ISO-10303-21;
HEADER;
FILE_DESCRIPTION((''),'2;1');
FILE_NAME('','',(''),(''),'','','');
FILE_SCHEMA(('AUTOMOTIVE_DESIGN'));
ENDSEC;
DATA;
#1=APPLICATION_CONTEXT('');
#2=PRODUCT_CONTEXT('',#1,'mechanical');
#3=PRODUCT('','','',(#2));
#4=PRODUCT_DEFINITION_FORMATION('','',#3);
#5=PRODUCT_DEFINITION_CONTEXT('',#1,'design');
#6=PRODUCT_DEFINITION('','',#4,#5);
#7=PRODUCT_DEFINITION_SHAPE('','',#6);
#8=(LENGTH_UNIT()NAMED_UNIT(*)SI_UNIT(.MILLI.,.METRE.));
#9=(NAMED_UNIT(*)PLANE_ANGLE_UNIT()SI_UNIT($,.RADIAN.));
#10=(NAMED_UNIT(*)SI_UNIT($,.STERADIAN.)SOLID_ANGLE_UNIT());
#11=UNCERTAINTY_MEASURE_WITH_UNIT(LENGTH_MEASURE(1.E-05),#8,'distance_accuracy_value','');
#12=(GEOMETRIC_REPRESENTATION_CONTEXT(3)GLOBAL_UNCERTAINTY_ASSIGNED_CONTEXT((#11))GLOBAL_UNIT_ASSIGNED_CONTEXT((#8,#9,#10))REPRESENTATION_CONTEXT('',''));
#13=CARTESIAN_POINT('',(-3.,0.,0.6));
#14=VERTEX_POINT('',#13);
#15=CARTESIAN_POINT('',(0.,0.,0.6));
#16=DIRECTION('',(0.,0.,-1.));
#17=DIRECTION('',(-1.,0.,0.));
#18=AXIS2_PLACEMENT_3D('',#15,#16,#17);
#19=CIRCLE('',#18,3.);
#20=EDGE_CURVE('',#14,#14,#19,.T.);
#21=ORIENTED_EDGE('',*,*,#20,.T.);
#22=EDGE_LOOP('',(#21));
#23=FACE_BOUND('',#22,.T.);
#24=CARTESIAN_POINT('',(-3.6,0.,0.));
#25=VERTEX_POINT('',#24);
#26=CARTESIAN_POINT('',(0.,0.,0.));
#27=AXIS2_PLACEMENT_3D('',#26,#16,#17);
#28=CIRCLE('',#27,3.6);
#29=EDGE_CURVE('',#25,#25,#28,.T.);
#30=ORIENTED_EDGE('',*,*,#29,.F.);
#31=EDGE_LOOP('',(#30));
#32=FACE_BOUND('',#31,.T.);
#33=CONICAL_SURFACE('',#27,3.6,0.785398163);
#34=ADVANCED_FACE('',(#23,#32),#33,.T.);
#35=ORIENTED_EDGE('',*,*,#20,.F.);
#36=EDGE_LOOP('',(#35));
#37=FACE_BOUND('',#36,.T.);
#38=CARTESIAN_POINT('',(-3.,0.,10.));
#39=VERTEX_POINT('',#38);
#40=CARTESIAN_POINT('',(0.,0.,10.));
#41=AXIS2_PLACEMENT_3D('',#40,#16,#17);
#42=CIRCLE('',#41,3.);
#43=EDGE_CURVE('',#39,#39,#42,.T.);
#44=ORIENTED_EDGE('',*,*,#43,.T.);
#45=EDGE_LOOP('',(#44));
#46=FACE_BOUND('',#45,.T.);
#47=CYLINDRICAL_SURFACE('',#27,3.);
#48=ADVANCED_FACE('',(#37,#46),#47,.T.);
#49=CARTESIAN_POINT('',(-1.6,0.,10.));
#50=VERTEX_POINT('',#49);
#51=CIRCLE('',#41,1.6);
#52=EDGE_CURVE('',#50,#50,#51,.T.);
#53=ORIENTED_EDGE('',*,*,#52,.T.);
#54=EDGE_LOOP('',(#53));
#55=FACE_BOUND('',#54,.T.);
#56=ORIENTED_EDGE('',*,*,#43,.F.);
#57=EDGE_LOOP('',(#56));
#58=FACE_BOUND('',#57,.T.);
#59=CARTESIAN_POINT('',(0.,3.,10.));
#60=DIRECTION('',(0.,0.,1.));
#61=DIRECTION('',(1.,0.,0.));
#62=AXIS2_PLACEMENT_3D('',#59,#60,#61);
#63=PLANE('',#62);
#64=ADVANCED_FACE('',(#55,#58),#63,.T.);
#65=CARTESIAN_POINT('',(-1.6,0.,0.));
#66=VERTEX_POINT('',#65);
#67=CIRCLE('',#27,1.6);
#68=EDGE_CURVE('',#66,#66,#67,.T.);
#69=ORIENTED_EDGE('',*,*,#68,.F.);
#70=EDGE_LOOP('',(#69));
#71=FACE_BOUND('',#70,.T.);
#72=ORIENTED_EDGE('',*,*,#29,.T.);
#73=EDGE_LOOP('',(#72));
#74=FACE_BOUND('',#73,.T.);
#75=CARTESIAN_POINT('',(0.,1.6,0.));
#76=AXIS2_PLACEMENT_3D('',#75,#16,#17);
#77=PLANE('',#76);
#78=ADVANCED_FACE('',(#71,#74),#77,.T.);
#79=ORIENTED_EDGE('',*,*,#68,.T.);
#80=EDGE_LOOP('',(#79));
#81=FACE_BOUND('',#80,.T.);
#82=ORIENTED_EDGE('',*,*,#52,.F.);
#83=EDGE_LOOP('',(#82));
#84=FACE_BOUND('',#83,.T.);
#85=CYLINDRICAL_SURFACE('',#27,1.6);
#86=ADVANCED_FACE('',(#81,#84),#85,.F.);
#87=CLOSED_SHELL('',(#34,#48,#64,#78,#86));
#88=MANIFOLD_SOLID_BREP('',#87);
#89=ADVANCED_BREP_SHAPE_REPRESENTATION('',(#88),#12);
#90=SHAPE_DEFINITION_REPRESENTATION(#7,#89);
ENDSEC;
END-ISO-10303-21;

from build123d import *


with BuildPart() as part:
    # 草图1 → 旋转1 (revolve)
    with BuildSketch(Plane(origin=(0, 0, 0), x_dir=(0, 0, -1), z_dir=(1, 0, 0)), mode=Mode.PRIVATE) as revolve_1_sk:
        Polygon((-10, 1.6), (0, 1.6), (0, 3.6), (-0.6, 3), (-10, 3), align=None)
    revolve(revolve_1_sk.sketch.rotate(Axis((0, 0, 0), (0, 0, 1)), 90), axis=Axis((0, 0, 0), (0, 0, 1)))


solid = part.part
